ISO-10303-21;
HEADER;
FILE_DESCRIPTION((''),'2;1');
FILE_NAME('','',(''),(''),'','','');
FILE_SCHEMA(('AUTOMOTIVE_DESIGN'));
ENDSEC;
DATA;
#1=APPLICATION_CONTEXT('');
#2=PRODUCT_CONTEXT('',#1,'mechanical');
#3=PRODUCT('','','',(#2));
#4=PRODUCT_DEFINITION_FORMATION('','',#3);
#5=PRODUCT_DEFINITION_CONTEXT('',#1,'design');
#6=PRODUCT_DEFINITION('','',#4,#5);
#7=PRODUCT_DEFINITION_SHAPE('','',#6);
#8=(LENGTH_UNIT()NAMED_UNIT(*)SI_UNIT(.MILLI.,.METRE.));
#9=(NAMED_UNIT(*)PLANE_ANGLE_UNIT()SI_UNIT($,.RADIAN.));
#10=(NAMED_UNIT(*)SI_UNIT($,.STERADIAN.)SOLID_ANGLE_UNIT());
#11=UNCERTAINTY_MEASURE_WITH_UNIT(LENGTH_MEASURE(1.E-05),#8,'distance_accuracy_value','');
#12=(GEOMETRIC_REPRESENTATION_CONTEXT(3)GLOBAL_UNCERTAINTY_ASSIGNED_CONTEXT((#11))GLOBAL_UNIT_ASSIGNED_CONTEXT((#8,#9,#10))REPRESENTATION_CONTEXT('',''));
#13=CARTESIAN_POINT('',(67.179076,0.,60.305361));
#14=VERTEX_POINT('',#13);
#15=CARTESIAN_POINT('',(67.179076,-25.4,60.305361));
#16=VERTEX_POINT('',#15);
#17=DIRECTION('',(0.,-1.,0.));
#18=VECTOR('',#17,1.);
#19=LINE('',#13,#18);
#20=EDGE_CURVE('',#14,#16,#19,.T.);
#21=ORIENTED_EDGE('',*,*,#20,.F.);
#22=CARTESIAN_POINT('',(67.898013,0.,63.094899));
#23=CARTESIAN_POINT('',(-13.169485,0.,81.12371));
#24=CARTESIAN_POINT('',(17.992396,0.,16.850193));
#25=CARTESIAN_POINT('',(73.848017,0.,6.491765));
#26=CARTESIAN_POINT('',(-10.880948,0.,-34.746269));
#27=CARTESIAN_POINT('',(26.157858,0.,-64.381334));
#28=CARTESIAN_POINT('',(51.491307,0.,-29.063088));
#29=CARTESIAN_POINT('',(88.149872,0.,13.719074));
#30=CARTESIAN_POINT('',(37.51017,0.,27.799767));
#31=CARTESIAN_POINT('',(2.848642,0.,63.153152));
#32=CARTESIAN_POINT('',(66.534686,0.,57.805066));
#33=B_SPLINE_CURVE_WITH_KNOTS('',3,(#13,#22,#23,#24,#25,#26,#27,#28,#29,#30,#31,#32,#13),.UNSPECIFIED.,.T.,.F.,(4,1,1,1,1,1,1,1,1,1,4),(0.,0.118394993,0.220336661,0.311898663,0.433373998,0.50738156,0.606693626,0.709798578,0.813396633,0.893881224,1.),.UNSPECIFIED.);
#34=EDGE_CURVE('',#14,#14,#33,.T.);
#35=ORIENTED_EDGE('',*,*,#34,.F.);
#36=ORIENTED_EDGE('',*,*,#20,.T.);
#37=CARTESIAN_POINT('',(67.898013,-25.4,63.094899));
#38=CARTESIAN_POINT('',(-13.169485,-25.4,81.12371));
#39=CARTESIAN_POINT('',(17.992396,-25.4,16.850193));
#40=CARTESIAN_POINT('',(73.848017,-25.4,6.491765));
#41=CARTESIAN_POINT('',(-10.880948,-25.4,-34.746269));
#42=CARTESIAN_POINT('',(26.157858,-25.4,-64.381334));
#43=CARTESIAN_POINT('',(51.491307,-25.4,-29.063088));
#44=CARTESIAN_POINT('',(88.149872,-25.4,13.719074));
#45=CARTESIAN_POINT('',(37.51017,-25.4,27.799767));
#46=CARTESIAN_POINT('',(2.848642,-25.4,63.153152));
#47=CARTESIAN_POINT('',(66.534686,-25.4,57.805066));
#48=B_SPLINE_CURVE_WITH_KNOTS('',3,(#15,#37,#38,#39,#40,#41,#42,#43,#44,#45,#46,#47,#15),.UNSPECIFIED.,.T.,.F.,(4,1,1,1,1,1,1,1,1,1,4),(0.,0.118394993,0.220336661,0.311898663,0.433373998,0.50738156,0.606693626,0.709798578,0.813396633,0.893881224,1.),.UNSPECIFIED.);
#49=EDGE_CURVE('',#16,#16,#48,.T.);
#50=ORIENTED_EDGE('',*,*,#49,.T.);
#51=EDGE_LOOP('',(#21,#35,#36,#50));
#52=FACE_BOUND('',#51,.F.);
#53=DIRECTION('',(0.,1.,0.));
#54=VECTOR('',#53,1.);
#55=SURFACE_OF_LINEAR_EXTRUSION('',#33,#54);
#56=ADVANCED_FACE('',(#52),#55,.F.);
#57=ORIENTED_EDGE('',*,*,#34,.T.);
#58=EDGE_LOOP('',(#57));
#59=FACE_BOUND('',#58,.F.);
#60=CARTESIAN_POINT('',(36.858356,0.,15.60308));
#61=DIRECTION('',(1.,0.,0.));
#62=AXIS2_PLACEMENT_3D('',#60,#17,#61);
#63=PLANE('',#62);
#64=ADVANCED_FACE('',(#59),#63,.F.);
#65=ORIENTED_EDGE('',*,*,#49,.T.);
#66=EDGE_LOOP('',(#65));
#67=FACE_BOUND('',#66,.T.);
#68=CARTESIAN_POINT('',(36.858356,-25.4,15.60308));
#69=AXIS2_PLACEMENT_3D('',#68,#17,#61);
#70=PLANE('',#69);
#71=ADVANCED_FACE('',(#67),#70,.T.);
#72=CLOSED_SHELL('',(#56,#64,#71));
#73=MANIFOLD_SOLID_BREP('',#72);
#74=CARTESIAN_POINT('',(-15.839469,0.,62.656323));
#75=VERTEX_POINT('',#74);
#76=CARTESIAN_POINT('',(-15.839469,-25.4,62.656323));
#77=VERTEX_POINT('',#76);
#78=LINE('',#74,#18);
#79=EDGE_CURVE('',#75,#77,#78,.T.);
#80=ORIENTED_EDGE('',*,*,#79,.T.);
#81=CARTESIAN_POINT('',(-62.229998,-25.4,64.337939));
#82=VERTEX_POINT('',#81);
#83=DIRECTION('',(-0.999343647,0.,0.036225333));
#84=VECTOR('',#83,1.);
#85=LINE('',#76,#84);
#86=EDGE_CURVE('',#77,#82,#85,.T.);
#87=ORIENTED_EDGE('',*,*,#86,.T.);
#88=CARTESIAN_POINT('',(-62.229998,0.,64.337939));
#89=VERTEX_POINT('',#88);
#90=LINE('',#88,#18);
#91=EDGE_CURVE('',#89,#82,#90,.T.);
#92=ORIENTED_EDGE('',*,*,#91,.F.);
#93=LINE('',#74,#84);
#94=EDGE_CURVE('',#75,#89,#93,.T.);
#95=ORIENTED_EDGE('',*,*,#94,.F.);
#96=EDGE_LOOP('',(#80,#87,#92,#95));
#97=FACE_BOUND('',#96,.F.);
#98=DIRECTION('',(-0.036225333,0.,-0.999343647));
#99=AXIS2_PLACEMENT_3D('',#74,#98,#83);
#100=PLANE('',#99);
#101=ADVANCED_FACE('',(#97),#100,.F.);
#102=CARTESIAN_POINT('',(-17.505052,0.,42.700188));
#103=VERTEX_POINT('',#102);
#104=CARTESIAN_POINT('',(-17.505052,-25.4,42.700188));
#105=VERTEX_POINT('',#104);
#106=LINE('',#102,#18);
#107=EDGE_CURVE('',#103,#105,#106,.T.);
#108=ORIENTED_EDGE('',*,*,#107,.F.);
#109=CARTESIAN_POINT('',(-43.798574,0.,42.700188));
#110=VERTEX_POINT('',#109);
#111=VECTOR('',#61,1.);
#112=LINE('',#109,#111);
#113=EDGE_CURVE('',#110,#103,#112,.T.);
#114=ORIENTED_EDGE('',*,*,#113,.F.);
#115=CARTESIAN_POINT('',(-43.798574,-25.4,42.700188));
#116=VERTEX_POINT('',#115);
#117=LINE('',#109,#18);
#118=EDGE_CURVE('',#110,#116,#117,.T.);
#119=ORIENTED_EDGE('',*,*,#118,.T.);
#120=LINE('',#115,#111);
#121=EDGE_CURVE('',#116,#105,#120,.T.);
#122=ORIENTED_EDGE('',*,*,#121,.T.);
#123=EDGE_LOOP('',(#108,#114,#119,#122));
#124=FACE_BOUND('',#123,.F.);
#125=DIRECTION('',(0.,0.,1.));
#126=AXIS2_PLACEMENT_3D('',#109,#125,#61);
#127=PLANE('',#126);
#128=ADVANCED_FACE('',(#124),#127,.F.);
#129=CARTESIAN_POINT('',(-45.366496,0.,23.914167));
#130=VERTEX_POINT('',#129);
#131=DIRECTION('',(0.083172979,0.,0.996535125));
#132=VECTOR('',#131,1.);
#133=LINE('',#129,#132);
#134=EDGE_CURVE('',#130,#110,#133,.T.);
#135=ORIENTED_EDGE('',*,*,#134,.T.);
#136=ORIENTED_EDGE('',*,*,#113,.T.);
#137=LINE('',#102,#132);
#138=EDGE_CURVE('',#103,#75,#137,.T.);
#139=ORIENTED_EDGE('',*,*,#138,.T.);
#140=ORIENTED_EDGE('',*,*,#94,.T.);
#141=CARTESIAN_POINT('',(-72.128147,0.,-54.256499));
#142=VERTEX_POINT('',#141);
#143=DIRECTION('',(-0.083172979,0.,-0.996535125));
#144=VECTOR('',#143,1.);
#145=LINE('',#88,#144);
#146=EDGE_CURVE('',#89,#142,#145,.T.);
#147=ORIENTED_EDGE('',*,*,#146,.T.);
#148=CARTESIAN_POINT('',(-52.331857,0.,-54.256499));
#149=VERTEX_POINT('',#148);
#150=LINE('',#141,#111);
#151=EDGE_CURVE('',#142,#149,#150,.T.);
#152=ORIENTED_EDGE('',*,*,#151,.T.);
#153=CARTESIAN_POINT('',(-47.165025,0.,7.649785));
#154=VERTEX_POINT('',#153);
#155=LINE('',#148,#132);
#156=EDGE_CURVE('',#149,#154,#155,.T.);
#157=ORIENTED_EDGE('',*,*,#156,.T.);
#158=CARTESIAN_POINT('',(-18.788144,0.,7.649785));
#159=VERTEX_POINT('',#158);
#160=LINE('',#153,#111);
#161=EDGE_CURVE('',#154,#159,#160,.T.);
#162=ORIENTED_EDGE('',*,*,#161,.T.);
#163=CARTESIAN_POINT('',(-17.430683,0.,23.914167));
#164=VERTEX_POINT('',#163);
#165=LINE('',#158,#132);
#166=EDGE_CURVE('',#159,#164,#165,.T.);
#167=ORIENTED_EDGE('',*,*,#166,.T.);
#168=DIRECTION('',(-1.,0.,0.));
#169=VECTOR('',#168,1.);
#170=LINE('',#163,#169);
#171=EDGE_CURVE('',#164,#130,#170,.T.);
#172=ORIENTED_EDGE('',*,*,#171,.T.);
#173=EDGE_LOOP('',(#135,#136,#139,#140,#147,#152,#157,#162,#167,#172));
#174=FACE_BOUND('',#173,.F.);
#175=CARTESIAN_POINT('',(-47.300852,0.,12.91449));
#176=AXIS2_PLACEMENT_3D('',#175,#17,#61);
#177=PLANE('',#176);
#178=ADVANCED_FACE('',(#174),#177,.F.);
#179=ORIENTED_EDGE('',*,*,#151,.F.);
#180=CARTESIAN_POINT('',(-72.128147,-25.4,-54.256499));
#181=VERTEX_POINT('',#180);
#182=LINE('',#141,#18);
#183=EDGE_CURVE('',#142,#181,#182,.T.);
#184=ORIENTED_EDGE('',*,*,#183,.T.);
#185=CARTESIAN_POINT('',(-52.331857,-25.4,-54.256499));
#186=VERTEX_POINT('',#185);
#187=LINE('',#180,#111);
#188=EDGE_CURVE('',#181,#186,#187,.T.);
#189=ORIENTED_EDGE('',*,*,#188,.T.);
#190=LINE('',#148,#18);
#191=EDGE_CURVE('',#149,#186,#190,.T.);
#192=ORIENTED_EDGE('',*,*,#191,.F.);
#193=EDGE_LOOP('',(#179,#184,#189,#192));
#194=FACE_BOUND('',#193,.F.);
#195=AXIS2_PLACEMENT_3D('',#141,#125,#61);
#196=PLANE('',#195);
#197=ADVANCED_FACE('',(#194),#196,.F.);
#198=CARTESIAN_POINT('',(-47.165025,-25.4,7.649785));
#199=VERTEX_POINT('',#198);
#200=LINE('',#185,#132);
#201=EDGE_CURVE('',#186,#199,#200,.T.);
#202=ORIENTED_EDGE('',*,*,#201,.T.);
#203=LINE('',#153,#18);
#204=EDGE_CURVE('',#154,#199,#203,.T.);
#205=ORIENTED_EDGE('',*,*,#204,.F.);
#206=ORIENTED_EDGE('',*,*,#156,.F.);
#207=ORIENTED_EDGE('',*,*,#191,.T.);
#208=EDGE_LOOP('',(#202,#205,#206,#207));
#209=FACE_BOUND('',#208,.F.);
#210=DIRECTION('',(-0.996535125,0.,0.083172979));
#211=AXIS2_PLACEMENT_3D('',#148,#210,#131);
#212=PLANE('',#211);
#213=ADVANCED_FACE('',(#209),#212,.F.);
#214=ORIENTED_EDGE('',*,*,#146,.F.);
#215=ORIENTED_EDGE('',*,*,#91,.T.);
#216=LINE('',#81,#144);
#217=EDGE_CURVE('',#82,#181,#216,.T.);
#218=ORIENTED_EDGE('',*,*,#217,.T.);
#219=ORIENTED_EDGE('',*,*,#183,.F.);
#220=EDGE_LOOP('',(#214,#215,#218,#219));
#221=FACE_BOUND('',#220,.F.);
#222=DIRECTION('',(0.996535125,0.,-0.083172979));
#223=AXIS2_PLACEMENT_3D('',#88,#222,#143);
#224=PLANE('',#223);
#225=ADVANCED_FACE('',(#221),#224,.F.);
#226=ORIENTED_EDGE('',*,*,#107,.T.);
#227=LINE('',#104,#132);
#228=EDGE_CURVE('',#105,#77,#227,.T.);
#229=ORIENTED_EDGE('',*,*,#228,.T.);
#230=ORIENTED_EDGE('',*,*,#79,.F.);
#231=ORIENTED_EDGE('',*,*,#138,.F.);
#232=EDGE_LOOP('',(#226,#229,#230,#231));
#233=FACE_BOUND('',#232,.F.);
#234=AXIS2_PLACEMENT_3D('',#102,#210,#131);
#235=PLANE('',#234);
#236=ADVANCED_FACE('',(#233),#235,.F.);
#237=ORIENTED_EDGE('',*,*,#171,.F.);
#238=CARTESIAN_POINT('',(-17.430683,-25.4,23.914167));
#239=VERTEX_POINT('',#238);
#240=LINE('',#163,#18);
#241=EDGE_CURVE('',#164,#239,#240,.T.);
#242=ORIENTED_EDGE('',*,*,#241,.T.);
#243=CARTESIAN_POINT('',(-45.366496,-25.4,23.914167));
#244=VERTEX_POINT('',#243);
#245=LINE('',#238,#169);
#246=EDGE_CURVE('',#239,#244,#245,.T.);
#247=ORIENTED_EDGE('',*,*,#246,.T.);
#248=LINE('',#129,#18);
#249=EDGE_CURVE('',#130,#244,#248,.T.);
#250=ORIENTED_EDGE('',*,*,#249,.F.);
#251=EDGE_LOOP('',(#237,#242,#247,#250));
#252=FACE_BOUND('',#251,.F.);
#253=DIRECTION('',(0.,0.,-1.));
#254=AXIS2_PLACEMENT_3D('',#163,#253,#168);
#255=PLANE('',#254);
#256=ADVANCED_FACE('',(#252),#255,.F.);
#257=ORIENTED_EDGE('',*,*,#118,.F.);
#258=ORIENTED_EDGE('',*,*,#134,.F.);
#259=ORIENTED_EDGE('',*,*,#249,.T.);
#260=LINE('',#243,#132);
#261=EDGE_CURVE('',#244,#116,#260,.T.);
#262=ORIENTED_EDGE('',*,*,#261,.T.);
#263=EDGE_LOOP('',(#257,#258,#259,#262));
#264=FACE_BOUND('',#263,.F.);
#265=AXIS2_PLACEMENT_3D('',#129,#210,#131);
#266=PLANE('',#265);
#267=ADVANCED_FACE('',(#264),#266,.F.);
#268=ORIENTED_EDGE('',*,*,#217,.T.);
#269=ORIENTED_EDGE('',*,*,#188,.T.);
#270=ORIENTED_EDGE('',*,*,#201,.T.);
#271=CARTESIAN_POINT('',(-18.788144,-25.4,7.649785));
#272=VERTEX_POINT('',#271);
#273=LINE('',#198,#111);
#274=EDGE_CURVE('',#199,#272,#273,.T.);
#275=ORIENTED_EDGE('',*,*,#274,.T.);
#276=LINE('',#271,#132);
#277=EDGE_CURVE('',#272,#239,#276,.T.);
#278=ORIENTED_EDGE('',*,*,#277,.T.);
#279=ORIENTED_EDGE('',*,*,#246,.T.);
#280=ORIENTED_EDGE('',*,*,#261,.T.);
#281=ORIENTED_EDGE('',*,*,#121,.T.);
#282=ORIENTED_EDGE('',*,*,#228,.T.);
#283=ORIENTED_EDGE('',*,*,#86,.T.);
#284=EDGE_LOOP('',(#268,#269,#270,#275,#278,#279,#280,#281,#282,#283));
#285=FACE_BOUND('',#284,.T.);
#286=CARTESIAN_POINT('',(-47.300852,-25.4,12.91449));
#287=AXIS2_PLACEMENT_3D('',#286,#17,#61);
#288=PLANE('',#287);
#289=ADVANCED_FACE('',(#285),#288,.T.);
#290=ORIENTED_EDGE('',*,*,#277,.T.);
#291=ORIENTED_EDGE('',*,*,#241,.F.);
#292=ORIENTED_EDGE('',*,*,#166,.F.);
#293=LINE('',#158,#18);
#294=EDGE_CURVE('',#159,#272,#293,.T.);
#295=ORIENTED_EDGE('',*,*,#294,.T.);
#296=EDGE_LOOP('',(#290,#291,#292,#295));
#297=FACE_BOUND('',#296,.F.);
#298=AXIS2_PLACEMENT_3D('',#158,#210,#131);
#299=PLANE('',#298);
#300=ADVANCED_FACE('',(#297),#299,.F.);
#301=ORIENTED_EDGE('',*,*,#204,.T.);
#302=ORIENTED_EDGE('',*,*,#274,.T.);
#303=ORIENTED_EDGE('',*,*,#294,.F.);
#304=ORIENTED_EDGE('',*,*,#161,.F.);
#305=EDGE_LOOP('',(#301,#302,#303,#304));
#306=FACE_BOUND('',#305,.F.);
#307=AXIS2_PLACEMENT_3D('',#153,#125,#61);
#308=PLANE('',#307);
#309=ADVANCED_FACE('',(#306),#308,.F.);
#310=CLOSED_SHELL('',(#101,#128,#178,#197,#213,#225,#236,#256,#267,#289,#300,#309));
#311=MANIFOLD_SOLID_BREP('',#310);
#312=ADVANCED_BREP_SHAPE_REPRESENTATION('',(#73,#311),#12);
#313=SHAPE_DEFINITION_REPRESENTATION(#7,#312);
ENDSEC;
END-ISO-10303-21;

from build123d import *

# Parameters (mm, degrees)
F1_DEPTH = 25.4


with BuildPart() as f1:
    # F0 (on Front) → F1 (new body)
    with BuildSketch(Plane.XZ):
        with BuildLine():
            add(Edge.make_bspline(
                [(67.1790763736, 60.3053607047), (67.8980127567, 63.0948989555), (-13.1694853432, 81.1237095694), (17.9923964493, 16.8501932375), (73.8480165964, 6.4917650766), (-10.8809482104, -34.7462694207), (26.1578579483, -64.3813339702), (51.4913065995, -29.0630884348), (88.1498716267, 13.7190743816), (37.5101697624, 27.799767414), (2.8486418261, 63.1531520183), (66.5346855321, 57.805065904), (67.1790763736, 60.3053607047)],
                knots=[0, 0, 0, 0, 0.1183949926, 0.2203366607, 0.3118986626, 0.4333739977, 0.5073815602, 0.6066936257, 0.7097985777, 0.8133966326, 0.8938812241, 1, 1, 1, 1], degree=3))
        make_face()
    extrude(amount=F1_DEPTH)


with BuildPart() as f1b:
    # F0 (on Front) → F1, piece 2 (new body)
    with BuildSketch(Plane.XZ):
        Polygon((-15.8394693198, 62.6563229408), (-62.2299984097, 64.337939024), (-72.1281468868, -54.2564988136), (-52.3318573833, -54.2564988136), (-47.1650249239, 7.6497852082), (-18.7881439924, 7.6497852082), (-17.430683476, 23.9141670978), (-45.3664958477, 23.9141670978), (-43.7985739128, 42.7001876219), (-17.5050515682, 42.7001876219), align=None)
    extrude(amount=F1_DEPTH)


solid = Compound([f1.part, f1b.part])
